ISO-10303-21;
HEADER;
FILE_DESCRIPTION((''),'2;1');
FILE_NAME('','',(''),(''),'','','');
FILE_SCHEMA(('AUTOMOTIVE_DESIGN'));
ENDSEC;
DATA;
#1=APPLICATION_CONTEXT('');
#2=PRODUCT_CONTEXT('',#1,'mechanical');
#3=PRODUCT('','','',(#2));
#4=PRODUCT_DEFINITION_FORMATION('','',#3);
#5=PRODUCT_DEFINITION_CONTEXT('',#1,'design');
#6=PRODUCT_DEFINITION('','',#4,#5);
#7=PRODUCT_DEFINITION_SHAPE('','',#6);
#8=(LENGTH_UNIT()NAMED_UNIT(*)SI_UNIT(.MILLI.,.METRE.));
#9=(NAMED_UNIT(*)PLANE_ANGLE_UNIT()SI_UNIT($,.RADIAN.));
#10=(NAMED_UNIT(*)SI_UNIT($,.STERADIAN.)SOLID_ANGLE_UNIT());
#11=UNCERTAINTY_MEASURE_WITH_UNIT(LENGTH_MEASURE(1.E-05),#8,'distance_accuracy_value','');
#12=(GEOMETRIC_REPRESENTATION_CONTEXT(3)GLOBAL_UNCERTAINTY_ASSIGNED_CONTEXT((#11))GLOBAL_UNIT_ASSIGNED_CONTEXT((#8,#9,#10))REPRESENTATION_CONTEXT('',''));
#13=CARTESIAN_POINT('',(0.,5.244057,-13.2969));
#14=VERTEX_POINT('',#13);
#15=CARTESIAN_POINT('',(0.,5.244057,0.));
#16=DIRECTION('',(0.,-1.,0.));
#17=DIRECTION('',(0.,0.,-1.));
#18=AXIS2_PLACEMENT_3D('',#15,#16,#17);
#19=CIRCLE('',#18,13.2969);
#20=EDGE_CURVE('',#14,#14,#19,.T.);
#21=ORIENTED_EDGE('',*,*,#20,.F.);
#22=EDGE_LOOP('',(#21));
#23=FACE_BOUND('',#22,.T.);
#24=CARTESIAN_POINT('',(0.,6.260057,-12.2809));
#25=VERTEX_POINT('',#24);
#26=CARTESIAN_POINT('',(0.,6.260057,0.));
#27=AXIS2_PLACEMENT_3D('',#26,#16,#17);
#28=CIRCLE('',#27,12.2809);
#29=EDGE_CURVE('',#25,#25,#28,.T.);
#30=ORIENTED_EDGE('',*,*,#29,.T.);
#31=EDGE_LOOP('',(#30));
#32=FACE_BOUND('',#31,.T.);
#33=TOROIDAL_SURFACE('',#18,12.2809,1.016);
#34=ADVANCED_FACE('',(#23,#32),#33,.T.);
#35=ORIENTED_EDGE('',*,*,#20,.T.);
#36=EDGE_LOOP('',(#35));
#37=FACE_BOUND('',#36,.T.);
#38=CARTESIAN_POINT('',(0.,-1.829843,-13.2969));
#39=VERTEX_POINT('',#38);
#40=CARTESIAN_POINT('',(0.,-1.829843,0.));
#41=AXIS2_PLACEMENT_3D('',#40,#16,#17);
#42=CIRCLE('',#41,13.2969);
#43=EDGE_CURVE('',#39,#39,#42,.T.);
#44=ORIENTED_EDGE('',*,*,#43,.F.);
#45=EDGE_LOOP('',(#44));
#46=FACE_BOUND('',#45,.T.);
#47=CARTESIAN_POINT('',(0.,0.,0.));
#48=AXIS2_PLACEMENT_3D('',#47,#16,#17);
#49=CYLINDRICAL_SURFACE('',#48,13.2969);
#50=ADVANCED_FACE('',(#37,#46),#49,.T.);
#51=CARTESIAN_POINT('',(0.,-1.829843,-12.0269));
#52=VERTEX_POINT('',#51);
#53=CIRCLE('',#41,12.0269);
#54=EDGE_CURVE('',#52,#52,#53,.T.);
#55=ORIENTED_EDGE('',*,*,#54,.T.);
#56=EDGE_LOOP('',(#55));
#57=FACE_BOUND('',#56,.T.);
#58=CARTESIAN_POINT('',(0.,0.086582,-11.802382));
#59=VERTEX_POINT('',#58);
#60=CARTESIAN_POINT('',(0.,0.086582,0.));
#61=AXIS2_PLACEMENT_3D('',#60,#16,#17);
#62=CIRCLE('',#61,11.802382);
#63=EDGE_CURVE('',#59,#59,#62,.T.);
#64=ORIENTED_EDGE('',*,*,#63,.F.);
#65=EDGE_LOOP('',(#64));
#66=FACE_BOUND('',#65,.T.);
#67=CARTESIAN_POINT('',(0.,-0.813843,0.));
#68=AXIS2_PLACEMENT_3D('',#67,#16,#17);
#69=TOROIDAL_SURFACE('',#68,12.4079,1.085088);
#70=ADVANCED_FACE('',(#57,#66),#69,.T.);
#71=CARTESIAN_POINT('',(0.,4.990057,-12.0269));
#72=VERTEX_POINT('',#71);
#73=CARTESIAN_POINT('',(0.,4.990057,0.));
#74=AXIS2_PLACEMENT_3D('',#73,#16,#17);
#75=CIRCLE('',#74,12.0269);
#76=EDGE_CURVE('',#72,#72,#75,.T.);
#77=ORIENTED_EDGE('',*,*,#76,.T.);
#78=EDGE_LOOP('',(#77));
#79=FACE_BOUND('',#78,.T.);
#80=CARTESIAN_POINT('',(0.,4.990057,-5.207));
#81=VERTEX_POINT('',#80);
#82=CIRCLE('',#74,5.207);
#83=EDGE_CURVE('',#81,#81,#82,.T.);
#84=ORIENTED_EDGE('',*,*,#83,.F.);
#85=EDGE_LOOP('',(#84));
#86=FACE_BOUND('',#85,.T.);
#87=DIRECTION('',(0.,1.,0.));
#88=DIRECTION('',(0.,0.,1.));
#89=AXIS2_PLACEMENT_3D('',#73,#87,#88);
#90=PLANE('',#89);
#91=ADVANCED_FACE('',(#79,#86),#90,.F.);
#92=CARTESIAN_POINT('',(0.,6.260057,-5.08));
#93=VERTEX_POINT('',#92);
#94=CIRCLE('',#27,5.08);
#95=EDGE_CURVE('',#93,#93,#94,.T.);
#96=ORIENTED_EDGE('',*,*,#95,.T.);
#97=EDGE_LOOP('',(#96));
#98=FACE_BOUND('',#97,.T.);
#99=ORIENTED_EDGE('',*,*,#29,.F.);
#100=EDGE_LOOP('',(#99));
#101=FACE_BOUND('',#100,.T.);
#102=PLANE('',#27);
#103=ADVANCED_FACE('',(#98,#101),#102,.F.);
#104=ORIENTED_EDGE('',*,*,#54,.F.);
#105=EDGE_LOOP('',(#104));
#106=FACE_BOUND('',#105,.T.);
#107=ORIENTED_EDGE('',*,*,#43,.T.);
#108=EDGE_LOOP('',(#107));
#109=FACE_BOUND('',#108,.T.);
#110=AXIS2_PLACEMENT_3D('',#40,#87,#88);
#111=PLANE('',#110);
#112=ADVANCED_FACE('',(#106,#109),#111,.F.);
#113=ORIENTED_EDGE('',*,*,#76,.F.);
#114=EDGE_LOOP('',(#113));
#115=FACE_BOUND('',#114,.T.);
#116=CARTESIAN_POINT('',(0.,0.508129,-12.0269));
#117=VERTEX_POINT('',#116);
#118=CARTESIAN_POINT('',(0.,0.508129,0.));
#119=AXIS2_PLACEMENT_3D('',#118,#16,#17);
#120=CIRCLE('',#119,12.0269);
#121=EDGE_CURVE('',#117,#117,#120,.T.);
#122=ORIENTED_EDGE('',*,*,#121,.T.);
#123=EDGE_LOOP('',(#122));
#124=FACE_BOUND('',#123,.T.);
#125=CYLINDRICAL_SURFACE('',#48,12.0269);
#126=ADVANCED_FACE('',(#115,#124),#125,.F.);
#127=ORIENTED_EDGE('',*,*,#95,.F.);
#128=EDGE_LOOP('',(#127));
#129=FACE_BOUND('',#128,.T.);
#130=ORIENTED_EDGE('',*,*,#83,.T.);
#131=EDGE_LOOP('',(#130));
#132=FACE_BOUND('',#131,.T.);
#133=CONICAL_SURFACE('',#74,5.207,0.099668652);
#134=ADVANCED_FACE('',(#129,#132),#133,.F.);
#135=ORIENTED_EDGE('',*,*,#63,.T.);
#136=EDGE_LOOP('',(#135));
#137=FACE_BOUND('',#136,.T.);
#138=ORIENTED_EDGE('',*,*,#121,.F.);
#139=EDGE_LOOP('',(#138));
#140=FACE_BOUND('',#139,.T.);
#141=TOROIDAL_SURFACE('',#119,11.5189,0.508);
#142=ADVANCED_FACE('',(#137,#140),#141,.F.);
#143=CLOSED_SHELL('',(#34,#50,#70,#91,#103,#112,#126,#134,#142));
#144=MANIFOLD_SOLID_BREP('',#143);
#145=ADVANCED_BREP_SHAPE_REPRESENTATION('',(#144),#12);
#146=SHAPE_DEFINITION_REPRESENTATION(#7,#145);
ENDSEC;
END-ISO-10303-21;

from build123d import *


with BuildPart() as part:
    # Sketch1 → Revolve1 (revolve)
    with BuildSketch(Plane.XY, mode=Mode.PRIVATE) as revolve1_sk:
        with BuildLine():
            Line((12.0269, 0.508129433), (12.0269, 4.990057463))
            Line((12.0269, 4.990057463), (5.207, 4.990057463))
            Line((5.207, 4.990057463), (5.08, 6.260057463))
            Line((5.08, 6.260057463), (12.2809, 6.260057463))
            ThreePointArc((12.2809, 6.260057463), (12.99932049, 5.962477952), (13.2969, 5.244057463))
            Line((13.2969, 5.244057463), (13.2969, -1.829842537))
            Line((13.2969, -1.829842537), (12.0269, -1.829842537))
            ThreePointArc((12.0269, -1.829842537), (11.330182262, -0.940102098), (11.802382058, 0.086582375))
            ThreePointArc((11.802382058, 0.086582375), (11.967270876, 0.269325), (12.0269, 0.508129433))
        make_face()
    revolve(revolve1_sk.sketch.rotate(Axis((0, 0, 0), (0, 1, 0)), 90), axis=Axis((0, 0, 0), (0, 1, 0)))


solid = part.part
